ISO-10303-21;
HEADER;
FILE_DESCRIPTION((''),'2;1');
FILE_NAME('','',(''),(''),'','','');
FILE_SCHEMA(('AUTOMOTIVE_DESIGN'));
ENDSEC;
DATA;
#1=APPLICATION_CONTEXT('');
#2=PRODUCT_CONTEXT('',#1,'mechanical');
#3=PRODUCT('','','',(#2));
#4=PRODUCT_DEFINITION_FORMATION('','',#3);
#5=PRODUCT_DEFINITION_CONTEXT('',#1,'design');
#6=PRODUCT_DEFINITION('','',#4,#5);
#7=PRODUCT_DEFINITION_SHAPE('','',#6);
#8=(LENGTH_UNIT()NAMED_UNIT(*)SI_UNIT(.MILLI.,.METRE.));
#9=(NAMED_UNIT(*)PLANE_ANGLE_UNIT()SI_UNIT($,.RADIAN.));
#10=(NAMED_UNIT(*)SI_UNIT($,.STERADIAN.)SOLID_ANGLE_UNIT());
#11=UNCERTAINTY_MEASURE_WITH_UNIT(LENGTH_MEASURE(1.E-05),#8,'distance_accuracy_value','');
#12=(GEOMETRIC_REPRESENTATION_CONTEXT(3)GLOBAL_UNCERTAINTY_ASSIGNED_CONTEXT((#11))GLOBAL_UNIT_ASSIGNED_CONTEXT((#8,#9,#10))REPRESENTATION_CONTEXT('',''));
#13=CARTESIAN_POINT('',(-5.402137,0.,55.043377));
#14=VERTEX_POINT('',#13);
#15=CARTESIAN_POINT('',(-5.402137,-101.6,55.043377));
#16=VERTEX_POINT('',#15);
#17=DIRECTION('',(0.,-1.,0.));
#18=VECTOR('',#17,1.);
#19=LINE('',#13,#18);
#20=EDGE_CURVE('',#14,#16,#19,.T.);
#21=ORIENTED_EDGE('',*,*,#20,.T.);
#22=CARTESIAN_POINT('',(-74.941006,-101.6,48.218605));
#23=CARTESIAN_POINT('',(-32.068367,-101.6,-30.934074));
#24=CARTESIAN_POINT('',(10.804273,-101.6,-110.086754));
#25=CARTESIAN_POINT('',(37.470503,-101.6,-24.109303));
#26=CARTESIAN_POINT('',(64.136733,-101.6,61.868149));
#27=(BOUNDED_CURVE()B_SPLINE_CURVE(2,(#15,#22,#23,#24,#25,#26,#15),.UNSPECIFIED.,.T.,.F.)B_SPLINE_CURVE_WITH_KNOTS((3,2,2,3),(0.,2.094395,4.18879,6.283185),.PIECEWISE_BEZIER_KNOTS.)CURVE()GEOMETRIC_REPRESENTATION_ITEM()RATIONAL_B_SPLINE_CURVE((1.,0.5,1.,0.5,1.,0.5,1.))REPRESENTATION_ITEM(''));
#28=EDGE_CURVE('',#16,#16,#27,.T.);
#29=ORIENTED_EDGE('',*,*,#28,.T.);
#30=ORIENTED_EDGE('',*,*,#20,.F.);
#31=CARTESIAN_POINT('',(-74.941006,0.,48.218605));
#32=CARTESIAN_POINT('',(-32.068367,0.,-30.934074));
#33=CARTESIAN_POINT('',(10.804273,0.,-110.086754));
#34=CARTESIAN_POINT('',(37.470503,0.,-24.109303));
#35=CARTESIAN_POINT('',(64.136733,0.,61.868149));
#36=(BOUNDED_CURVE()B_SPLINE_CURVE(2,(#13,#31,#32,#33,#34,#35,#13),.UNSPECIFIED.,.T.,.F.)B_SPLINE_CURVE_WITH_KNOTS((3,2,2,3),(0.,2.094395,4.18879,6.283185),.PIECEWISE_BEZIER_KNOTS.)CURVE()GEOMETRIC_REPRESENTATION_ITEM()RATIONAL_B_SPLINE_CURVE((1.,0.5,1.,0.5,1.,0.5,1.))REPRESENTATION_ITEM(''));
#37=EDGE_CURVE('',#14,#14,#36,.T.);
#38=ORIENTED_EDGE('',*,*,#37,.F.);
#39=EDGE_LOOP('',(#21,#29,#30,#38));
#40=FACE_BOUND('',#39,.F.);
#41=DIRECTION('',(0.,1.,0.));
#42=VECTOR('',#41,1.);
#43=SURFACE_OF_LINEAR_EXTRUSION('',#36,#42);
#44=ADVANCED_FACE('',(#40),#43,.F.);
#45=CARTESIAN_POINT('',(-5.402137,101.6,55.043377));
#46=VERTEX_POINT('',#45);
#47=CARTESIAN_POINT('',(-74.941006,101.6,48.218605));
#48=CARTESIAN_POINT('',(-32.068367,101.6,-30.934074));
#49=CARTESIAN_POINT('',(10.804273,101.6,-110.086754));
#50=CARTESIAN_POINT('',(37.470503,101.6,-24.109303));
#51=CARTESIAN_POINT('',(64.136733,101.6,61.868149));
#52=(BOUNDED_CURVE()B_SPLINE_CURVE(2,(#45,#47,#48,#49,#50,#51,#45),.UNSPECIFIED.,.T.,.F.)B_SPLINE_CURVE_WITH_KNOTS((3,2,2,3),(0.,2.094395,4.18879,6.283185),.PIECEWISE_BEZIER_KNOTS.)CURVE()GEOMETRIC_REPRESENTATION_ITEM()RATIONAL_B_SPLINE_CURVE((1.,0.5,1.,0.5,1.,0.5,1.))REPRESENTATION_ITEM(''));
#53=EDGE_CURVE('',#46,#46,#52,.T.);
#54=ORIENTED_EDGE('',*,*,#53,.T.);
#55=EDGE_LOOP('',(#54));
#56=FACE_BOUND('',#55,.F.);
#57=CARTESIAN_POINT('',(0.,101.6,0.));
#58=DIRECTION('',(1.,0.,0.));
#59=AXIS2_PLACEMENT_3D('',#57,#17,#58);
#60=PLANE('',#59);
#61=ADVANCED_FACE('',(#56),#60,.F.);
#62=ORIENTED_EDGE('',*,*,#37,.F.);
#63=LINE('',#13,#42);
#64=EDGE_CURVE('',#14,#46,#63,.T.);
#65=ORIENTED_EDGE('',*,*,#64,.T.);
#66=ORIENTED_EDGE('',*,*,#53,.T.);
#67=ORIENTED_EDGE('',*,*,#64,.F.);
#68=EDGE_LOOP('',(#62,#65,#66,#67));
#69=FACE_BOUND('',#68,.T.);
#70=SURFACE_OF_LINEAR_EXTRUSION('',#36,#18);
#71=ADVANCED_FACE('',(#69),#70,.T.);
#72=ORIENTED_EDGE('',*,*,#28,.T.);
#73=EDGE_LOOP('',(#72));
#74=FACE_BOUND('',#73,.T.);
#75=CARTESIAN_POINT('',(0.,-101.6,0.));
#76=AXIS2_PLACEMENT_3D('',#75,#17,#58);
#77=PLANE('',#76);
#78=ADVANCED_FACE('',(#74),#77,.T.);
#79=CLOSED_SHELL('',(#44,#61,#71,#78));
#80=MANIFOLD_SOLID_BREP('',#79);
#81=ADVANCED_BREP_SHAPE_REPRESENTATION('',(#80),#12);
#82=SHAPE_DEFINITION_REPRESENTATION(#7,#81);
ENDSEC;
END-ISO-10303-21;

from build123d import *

# Parameters (mm, degrees)
F1_DEPTH = 101.6


with BuildPart() as f1:
    # F0 (on Front) → F1 (new body, symmetric)
    with BuildSketch(Plane.XZ):
        with BuildLine():
            add(Edge.make_bspline(
                [(-5.402137, 55.043377), (-74.941006, 48.218605), (-32.068367, -30.934074), (10.804273, -110.086754), (37.470503, -24.109303), (64.136733, 61.868149), (-5.402137, 55.043377)],
                knots=[0, 0, 0, 2.094395, 2.094395, 4.18879, 4.18879, 6.283185, 6.283185, 6.283185], degree=2, weights=[1, 0.5, 1, 0.5, 1, 0.5, 1]))
        make_face()
    extrude(amount=F1_DEPTH, both=True)


solid = f1.part
